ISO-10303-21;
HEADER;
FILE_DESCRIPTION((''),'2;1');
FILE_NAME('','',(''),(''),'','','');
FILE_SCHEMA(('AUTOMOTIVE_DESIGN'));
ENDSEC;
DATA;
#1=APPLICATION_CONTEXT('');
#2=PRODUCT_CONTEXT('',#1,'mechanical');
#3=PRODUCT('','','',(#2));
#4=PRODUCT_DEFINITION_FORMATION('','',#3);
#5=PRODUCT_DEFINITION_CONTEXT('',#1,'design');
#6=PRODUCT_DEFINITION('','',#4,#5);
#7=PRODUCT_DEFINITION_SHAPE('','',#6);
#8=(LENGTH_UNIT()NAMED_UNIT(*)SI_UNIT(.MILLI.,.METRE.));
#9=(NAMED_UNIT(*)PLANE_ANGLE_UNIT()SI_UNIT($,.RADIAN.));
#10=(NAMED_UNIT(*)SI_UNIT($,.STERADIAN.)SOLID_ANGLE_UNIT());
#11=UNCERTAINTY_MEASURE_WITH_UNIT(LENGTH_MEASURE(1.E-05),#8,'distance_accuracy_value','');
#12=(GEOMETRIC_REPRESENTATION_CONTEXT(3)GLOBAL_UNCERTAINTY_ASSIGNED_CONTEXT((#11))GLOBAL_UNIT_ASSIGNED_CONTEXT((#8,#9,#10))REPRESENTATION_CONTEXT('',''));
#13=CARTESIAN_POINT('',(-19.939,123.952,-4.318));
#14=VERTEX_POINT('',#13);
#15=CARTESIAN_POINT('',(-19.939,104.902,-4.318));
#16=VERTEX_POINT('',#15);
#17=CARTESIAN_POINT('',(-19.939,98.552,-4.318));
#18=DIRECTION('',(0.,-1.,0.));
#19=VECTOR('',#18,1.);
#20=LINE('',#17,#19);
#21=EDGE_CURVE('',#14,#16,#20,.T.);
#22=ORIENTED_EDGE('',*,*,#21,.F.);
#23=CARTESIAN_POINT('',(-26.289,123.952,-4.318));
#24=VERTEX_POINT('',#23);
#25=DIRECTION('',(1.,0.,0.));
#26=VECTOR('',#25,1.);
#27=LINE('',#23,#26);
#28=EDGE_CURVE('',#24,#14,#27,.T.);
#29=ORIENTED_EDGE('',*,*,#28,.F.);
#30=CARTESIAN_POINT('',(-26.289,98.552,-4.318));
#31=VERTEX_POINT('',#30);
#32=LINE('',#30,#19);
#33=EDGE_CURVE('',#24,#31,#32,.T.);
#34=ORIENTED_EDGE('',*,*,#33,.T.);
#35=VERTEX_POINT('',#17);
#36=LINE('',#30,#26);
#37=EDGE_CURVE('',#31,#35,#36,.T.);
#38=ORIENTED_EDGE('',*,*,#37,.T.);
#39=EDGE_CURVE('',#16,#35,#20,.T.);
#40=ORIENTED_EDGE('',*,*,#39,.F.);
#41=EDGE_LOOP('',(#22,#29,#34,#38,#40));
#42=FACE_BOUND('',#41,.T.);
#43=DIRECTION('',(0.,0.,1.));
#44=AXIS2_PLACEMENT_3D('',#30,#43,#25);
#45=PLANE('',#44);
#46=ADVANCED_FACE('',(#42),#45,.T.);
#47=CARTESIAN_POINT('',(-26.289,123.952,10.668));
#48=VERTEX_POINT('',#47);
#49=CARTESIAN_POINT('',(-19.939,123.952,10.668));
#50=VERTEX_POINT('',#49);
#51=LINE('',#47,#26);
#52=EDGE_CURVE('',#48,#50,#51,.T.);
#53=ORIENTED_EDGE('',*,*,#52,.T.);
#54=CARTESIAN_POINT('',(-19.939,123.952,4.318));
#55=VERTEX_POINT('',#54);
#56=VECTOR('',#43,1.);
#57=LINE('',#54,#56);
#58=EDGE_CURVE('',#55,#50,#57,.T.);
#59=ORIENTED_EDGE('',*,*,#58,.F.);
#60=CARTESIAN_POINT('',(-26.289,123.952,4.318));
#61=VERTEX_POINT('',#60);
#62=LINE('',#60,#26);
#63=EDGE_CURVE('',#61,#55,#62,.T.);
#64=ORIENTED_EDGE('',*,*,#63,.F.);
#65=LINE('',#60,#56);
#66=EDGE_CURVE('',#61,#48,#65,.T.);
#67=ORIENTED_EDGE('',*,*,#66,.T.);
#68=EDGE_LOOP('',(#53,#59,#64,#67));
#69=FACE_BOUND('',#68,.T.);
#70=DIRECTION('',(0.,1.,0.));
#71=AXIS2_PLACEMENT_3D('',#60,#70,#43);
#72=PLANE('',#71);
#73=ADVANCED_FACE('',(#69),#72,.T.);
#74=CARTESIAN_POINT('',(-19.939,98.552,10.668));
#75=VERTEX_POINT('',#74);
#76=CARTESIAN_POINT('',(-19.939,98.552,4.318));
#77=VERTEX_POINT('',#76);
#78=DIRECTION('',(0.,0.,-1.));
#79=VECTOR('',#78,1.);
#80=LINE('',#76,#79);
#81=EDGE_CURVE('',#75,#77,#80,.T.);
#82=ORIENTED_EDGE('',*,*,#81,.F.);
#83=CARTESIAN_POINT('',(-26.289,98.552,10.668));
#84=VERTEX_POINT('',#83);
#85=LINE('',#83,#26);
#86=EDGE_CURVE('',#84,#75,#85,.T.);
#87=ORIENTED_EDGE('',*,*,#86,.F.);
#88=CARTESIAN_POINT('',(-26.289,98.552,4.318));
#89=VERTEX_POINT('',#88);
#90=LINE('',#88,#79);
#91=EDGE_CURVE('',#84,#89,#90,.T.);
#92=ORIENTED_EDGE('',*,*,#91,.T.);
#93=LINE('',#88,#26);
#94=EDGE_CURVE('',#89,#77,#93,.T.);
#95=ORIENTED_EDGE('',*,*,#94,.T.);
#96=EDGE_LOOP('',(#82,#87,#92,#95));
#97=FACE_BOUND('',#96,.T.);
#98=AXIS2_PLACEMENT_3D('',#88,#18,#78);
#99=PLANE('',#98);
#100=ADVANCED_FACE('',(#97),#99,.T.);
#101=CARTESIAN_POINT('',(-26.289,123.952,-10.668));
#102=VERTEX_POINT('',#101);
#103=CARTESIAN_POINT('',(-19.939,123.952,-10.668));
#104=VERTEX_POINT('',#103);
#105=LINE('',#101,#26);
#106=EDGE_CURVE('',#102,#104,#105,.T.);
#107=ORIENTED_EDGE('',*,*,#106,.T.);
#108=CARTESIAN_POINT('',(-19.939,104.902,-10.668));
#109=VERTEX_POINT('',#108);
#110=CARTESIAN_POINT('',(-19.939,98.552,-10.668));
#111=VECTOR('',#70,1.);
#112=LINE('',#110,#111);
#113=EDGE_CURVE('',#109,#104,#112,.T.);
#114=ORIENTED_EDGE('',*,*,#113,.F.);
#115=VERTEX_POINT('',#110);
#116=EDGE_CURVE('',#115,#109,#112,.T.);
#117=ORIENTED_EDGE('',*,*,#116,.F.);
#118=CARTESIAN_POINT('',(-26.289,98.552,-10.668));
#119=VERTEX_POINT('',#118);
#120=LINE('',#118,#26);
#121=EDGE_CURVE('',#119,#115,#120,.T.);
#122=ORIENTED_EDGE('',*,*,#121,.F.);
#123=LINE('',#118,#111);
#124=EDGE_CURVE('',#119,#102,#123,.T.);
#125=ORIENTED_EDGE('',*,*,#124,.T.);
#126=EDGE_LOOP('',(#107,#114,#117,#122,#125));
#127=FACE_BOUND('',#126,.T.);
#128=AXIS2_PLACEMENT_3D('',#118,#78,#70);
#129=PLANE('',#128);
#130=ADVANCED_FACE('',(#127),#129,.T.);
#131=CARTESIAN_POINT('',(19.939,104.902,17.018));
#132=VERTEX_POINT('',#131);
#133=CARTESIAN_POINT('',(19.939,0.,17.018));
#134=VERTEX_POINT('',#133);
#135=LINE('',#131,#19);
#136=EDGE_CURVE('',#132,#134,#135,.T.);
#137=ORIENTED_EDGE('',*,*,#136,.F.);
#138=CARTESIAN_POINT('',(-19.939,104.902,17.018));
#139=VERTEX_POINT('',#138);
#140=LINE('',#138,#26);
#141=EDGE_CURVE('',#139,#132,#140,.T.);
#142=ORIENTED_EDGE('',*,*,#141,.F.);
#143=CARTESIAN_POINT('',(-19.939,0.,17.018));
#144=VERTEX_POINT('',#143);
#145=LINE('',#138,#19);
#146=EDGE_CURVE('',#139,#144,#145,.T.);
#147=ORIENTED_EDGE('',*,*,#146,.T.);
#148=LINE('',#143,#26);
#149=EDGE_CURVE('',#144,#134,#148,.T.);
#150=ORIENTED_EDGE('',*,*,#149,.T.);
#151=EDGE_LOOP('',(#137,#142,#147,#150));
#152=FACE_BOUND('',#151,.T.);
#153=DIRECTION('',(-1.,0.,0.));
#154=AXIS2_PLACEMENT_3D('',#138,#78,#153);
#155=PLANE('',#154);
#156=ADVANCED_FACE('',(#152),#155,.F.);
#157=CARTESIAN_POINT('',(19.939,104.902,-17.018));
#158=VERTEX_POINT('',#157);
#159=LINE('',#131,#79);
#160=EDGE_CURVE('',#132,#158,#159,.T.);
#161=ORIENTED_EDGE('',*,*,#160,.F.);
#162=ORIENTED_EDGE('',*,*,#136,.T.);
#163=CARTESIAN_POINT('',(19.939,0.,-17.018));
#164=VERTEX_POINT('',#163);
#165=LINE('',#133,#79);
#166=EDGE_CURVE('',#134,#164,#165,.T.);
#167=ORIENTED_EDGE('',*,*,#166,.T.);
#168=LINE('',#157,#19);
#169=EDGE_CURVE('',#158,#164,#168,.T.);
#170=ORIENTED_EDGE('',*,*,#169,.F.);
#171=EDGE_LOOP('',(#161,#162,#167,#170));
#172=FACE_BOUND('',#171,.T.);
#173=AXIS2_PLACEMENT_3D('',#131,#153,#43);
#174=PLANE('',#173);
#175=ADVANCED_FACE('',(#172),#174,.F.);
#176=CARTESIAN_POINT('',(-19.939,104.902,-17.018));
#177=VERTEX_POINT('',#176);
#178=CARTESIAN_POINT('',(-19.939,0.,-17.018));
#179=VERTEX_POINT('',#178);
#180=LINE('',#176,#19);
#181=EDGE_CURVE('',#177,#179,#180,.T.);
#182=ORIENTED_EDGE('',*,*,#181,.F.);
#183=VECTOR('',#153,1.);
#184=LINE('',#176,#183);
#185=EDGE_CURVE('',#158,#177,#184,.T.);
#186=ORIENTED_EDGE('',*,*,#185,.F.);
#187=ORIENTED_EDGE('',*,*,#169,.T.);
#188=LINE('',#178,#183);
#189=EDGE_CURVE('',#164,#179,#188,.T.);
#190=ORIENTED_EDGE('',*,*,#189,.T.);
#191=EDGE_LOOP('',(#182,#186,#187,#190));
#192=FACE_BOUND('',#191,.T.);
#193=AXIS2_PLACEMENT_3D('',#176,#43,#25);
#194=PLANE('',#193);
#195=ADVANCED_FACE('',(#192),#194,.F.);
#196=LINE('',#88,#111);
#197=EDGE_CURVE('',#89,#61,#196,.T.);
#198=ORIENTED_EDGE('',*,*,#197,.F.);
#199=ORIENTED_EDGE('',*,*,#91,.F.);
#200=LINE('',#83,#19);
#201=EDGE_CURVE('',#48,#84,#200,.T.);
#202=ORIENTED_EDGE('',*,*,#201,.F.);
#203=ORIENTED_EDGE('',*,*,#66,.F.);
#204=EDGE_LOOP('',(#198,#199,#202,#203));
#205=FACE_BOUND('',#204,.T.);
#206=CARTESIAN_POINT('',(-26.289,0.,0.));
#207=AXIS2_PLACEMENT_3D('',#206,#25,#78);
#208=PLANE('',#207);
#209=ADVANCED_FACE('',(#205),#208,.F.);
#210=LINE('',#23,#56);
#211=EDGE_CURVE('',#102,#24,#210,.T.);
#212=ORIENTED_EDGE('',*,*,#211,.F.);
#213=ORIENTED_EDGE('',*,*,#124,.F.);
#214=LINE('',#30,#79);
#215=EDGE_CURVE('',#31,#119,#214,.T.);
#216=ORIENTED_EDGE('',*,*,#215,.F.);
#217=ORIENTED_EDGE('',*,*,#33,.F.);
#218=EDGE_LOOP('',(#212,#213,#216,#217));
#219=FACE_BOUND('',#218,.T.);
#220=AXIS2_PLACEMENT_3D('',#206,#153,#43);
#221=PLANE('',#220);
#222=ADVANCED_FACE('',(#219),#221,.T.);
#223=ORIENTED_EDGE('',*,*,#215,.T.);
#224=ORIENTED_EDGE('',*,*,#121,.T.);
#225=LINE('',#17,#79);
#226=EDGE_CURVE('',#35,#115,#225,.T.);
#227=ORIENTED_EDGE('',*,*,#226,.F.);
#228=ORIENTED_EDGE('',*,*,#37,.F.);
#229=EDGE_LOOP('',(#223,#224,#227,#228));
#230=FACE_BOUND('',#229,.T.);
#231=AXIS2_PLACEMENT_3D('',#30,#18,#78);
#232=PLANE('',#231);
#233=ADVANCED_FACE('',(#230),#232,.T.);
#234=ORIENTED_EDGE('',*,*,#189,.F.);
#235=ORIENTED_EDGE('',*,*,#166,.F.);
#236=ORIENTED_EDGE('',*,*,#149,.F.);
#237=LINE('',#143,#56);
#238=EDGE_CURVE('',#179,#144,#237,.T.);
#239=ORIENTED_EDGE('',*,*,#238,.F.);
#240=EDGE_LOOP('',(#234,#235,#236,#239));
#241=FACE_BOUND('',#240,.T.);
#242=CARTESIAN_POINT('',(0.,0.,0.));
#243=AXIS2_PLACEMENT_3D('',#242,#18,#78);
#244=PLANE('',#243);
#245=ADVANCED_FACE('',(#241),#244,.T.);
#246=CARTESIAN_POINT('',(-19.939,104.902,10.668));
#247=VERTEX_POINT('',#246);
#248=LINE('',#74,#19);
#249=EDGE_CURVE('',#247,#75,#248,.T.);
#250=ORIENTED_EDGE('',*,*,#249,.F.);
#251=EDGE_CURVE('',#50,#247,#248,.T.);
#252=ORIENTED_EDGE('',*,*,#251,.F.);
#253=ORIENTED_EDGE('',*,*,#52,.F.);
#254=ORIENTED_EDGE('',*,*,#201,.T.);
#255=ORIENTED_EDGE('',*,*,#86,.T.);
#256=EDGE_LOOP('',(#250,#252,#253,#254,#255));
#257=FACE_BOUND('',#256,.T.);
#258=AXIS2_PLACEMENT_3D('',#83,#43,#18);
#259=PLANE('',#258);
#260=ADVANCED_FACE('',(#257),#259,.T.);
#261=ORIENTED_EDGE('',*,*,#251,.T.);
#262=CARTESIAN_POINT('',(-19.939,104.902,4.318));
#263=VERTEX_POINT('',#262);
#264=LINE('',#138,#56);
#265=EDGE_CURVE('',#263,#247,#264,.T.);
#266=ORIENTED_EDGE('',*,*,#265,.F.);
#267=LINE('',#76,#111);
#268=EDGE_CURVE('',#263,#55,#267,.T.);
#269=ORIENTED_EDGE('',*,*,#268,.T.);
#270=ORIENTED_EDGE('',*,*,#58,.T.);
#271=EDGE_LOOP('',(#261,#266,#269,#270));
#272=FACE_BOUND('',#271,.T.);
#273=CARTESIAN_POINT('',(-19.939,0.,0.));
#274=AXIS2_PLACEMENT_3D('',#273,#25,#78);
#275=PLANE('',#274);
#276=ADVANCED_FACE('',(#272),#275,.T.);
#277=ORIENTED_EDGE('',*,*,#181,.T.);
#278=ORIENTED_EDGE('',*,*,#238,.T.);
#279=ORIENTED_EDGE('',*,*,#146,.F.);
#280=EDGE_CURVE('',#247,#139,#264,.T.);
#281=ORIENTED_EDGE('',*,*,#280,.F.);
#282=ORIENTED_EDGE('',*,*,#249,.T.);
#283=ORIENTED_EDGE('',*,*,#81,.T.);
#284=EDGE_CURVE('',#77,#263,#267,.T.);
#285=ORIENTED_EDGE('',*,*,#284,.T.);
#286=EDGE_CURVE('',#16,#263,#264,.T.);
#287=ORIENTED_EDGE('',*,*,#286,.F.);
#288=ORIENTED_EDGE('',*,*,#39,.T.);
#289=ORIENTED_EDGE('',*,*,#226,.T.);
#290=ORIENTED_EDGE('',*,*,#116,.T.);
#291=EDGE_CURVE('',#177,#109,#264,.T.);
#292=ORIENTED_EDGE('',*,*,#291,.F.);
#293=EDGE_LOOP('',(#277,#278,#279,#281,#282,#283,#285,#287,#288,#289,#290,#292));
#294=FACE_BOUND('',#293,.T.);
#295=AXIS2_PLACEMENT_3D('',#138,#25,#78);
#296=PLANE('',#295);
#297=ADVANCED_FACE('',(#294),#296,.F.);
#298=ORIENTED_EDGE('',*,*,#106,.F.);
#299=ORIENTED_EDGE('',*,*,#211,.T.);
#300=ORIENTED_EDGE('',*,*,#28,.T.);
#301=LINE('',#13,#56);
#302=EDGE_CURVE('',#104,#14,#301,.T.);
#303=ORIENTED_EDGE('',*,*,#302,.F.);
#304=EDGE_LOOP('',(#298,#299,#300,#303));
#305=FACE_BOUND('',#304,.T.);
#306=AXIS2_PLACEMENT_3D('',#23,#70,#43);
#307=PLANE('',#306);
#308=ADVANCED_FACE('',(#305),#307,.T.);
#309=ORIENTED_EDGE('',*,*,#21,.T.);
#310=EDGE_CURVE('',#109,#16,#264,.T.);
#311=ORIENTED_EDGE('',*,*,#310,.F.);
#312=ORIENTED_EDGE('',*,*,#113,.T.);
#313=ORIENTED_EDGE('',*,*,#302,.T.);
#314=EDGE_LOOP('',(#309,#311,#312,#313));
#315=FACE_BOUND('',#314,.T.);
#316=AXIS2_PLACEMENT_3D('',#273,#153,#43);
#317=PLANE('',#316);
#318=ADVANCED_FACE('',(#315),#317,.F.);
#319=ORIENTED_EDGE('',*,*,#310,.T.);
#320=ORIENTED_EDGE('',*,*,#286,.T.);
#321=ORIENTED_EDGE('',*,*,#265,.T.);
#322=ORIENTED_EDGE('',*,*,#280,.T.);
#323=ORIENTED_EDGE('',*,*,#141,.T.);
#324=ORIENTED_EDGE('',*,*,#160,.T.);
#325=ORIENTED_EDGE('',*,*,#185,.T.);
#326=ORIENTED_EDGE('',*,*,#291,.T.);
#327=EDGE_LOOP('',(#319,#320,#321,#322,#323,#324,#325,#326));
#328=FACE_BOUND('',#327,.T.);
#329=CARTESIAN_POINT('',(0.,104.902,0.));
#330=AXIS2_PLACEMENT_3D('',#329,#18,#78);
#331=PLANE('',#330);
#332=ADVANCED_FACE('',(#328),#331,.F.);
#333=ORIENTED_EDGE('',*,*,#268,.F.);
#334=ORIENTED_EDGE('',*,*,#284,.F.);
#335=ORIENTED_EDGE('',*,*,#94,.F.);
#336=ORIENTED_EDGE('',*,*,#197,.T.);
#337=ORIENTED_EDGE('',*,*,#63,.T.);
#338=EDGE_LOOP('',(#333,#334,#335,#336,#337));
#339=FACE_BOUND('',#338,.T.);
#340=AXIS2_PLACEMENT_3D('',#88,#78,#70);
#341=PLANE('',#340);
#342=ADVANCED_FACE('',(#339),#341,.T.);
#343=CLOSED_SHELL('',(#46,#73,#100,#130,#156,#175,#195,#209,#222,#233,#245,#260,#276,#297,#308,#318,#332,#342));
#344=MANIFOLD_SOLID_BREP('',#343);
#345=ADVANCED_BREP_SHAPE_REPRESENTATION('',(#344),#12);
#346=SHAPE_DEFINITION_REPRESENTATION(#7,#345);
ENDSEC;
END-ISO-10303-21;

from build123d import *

# Parameters (mm, degrees)
SKETCH1_W           = 39.878
SKETCH1_H           = 34.036
BOSS_EXTRUDE1_DEPTH = 104.902
SKETCH3_W           = 6.35
SKETCH3_H           = 25.4
BOSS_EXTRUDE2_DEPTH = 6.35


with BuildPart() as part:
    # Sketch1 → Boss-Extrude1 (new body)
    with BuildSketch(Plane(origin=(0, 0, 0), x_dir=(1, 0, 0), z_dir=(0, 1, 0))):
        Rectangle(SKETCH1_W, SKETCH1_H)
    extrude(amount=BOSS_EXTRUDE1_DEPTH)

    # Sketch3 → Boss-Extrude2 (add)
    with BuildSketch(Plane(origin=(-19.939, 0, -2.921), x_dir=(0, 0, -1), z_dir=(1, 0, 0))):
        with Locations((4.572, 111.252)):
            Rectangle(SKETCH3_W, SKETCH3_H)
        with Locations((-10.414, 111.252)):
            Rectangle(SKETCH3_W, SKETCH3_H)
    extrude(amount=-BOSS_EXTRUDE2_DEPTH)


solid = part.part
